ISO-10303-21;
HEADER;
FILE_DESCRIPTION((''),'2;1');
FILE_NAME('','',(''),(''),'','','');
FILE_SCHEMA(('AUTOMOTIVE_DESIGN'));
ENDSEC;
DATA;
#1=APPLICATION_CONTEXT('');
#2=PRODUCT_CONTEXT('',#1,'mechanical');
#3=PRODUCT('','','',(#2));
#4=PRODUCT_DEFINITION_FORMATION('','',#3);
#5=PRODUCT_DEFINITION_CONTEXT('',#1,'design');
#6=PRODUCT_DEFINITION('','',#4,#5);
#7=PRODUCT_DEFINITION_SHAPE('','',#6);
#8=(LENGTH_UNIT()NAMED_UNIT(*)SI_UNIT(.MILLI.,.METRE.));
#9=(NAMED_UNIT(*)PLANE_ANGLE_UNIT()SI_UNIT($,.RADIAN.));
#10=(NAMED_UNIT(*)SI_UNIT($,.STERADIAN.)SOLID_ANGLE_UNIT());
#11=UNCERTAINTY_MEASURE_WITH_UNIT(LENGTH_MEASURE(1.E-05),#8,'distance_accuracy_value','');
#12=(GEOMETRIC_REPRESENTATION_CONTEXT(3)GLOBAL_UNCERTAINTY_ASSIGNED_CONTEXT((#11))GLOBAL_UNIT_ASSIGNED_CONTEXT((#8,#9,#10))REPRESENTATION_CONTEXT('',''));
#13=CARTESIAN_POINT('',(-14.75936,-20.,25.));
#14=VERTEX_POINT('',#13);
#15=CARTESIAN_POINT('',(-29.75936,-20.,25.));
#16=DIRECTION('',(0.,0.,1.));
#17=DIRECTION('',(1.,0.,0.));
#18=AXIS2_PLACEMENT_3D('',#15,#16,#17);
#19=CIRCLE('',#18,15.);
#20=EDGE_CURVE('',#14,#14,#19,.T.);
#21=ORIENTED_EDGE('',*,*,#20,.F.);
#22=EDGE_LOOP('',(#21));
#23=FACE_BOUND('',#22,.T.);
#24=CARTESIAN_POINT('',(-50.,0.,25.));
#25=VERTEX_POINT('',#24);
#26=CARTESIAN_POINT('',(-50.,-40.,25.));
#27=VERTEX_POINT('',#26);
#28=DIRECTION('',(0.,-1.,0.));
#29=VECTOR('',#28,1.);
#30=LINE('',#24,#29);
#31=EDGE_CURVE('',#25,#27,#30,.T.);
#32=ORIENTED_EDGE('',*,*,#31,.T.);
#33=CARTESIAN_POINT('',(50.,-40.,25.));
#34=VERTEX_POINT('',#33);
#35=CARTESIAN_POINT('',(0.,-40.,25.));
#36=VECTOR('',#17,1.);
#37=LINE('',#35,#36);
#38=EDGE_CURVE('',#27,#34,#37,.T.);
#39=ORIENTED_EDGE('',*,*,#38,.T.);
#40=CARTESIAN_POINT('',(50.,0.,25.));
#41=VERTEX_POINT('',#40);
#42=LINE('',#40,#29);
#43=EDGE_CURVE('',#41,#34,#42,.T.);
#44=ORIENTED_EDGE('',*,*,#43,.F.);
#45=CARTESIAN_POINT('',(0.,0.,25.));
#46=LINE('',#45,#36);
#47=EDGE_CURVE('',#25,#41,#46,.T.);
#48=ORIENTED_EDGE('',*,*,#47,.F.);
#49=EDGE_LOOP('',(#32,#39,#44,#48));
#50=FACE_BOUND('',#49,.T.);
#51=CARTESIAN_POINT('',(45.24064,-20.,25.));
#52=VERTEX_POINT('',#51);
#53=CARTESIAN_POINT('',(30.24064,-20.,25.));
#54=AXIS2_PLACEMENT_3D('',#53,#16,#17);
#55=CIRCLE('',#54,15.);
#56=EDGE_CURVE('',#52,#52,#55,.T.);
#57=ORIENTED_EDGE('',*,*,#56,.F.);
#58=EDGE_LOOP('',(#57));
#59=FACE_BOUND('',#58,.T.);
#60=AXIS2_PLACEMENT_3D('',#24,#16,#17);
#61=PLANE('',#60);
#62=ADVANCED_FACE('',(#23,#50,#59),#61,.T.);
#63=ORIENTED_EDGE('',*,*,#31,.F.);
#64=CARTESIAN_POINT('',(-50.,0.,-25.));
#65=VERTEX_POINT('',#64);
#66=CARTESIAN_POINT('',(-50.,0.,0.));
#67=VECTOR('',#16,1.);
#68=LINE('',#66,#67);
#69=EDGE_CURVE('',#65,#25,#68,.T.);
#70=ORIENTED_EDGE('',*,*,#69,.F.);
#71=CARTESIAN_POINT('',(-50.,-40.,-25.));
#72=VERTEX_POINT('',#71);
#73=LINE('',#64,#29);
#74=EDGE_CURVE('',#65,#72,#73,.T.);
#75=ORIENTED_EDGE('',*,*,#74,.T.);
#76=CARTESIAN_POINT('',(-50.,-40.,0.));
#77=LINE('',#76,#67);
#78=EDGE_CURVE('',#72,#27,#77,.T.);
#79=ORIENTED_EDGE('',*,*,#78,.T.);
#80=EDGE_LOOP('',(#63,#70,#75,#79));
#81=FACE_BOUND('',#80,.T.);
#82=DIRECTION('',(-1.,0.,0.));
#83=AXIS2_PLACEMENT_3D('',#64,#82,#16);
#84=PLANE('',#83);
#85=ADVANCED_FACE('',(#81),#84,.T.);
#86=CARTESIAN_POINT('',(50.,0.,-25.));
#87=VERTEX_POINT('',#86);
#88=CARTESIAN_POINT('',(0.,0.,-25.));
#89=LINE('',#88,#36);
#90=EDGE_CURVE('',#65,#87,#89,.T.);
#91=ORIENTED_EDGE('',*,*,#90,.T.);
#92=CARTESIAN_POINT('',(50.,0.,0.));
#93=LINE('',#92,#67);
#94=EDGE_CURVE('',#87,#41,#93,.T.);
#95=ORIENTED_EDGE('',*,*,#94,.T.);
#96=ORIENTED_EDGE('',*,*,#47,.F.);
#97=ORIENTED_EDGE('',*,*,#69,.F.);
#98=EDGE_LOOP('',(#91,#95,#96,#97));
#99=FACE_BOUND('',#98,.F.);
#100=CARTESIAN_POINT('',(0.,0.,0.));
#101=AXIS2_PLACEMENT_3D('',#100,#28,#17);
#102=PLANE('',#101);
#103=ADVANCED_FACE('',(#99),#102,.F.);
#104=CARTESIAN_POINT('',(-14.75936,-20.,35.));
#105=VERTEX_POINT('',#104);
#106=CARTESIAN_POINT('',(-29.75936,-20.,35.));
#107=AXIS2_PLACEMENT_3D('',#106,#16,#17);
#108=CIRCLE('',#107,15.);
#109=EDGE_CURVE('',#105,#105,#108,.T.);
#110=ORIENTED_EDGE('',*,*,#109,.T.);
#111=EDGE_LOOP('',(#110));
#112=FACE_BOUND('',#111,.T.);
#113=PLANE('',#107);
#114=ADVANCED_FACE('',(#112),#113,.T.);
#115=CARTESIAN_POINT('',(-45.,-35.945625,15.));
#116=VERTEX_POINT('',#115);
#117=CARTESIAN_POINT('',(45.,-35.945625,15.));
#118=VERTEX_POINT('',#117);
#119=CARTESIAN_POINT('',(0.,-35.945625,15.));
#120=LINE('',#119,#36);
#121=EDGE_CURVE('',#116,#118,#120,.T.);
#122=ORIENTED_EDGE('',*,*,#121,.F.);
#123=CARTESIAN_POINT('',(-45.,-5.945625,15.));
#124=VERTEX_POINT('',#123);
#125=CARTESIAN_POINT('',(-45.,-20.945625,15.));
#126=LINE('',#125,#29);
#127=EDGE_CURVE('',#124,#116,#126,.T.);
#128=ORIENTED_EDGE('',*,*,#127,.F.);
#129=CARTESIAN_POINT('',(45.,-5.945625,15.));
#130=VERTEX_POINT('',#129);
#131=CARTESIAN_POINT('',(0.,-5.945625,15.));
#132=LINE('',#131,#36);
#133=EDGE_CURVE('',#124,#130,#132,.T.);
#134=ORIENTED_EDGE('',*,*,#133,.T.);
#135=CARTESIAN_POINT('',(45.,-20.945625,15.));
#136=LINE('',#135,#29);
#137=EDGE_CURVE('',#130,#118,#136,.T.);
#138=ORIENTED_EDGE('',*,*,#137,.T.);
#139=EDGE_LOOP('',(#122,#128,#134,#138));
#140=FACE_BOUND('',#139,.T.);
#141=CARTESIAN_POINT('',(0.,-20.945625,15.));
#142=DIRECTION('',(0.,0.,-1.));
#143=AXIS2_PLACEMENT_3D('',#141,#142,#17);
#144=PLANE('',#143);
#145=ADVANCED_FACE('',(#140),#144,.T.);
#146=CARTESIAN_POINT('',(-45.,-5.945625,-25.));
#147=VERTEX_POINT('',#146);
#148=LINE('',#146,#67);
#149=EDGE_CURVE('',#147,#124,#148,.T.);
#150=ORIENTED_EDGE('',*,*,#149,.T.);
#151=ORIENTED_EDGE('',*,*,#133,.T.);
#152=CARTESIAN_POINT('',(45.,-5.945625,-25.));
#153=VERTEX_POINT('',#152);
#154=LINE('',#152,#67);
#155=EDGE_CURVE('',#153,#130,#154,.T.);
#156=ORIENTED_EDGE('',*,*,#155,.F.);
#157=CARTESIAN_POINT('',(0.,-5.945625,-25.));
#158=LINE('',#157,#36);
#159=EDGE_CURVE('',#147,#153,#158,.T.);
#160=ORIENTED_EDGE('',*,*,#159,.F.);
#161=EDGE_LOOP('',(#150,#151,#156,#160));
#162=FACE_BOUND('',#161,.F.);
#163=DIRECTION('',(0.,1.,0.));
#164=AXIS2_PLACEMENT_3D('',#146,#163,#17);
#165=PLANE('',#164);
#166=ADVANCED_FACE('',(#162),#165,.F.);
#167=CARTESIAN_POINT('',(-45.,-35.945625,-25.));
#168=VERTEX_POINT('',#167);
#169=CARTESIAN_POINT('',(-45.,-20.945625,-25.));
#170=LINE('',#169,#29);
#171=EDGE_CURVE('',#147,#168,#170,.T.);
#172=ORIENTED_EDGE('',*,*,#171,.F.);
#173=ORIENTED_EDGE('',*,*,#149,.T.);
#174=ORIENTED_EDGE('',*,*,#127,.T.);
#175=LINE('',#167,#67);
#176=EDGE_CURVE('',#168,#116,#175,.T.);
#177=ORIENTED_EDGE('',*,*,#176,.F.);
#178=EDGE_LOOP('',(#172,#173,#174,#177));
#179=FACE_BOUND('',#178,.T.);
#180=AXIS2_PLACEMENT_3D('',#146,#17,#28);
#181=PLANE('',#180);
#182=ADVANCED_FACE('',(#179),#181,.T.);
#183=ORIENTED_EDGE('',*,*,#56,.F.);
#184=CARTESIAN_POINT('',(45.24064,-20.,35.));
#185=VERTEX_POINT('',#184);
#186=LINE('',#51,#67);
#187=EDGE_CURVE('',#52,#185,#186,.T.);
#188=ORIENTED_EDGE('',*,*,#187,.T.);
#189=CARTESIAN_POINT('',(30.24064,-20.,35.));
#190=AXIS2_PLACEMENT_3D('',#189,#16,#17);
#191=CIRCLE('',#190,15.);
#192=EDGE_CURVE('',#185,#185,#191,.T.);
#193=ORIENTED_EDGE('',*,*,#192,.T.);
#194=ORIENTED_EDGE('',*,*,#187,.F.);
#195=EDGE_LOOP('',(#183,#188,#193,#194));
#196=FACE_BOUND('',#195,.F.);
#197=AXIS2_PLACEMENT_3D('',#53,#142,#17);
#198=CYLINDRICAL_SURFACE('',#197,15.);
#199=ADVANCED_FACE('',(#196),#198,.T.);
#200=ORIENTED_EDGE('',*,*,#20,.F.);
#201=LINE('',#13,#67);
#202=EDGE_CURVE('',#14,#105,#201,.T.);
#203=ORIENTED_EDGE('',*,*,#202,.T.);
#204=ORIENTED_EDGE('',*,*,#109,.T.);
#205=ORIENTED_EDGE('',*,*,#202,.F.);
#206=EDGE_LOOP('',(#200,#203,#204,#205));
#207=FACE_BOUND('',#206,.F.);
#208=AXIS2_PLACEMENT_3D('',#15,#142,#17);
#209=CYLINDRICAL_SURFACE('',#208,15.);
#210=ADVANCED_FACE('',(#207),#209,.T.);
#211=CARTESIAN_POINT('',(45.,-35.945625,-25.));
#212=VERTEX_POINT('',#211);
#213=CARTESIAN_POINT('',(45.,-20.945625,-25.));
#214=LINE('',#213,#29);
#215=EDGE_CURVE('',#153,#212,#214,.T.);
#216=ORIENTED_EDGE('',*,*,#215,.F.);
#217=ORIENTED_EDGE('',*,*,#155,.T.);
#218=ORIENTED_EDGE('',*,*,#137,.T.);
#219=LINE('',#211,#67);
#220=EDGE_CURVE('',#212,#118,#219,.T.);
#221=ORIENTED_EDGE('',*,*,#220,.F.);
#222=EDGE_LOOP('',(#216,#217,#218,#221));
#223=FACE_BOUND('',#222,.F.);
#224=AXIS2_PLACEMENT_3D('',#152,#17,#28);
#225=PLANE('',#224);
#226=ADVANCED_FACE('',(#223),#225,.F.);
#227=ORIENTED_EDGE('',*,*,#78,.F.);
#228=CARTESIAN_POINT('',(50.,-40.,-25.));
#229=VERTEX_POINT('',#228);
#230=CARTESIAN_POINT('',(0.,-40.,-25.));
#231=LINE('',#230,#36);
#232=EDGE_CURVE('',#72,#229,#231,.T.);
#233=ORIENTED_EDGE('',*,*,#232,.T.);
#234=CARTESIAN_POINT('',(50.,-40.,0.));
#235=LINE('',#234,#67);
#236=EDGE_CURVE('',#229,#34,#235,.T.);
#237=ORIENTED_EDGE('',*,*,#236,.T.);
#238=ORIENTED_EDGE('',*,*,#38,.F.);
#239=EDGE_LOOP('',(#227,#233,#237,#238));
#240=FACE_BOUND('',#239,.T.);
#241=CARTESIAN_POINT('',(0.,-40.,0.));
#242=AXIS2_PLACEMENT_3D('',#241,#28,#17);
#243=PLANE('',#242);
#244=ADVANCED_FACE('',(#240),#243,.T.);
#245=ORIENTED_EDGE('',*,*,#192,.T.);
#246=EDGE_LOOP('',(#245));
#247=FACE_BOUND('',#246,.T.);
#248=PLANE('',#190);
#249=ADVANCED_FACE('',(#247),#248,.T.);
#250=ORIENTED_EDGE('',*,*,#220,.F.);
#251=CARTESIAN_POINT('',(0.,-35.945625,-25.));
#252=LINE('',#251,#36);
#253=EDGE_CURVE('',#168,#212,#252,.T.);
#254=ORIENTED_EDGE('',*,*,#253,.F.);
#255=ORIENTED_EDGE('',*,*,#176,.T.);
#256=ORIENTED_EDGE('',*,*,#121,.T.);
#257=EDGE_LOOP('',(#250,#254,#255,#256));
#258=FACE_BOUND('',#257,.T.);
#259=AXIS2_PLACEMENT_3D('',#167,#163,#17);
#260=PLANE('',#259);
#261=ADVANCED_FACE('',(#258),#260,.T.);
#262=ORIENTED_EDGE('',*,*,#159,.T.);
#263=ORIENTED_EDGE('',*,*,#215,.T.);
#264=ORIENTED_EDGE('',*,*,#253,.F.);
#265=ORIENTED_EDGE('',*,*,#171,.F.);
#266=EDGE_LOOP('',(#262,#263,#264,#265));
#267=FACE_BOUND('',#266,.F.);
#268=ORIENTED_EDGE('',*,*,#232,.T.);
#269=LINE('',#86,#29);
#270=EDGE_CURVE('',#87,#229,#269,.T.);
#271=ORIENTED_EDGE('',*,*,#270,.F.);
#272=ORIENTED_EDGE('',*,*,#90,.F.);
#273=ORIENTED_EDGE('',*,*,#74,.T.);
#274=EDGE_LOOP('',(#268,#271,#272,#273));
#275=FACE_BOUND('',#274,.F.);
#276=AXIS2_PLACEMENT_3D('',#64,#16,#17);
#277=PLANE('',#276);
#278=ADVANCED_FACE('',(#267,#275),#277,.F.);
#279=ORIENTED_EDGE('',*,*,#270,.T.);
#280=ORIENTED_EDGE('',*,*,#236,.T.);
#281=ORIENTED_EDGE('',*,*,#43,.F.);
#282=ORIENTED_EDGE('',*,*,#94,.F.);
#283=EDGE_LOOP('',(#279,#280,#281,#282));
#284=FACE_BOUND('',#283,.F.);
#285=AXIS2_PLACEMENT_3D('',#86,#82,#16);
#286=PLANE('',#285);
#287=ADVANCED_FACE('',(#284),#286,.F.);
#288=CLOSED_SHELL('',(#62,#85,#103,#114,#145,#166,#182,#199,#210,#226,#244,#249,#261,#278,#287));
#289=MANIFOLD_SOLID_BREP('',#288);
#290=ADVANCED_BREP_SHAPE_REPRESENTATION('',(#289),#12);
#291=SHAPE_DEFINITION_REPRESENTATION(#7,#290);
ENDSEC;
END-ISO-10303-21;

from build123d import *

# Parameters (mm, degrees)
F0_W     = 100
F0_H     = 50
F1_DEPTH = 40
F2_R     = 15
F3_DEPTH = 10
F5_W     = 90
F5_H     = 30
F6_DEPTH = 40


with BuildPart() as f1:
    # F0 (on Front) → F1 (new body)
    with BuildSketch(Plane.XZ):
        Rectangle(F0_W, F0_H)
    extrude(amount=F1_DEPTH)

    # F2 (on face) → F3 (join)
    with BuildSketch(Plane.XY.offset(25)):
        with Locations((-29.75936, -20)):
            Circle(F2_R)
        with Locations((30.24064, -20)):
            Circle(F2_R)
    extrude(amount=F3_DEPTH)

    # F5 (on face) → F6 (cut)
    with BuildSketch(Plane(origin=(0, 0, -25), x_dir=(1, 0, 0), z_dir=(0, 0, -1))):
        with Locations((0, 20.945625)):
            Rectangle(F5_W, F5_H)
    extrude(amount=-F6_DEPTH, mode=Mode.SUBTRACT)


solid = f1.part
